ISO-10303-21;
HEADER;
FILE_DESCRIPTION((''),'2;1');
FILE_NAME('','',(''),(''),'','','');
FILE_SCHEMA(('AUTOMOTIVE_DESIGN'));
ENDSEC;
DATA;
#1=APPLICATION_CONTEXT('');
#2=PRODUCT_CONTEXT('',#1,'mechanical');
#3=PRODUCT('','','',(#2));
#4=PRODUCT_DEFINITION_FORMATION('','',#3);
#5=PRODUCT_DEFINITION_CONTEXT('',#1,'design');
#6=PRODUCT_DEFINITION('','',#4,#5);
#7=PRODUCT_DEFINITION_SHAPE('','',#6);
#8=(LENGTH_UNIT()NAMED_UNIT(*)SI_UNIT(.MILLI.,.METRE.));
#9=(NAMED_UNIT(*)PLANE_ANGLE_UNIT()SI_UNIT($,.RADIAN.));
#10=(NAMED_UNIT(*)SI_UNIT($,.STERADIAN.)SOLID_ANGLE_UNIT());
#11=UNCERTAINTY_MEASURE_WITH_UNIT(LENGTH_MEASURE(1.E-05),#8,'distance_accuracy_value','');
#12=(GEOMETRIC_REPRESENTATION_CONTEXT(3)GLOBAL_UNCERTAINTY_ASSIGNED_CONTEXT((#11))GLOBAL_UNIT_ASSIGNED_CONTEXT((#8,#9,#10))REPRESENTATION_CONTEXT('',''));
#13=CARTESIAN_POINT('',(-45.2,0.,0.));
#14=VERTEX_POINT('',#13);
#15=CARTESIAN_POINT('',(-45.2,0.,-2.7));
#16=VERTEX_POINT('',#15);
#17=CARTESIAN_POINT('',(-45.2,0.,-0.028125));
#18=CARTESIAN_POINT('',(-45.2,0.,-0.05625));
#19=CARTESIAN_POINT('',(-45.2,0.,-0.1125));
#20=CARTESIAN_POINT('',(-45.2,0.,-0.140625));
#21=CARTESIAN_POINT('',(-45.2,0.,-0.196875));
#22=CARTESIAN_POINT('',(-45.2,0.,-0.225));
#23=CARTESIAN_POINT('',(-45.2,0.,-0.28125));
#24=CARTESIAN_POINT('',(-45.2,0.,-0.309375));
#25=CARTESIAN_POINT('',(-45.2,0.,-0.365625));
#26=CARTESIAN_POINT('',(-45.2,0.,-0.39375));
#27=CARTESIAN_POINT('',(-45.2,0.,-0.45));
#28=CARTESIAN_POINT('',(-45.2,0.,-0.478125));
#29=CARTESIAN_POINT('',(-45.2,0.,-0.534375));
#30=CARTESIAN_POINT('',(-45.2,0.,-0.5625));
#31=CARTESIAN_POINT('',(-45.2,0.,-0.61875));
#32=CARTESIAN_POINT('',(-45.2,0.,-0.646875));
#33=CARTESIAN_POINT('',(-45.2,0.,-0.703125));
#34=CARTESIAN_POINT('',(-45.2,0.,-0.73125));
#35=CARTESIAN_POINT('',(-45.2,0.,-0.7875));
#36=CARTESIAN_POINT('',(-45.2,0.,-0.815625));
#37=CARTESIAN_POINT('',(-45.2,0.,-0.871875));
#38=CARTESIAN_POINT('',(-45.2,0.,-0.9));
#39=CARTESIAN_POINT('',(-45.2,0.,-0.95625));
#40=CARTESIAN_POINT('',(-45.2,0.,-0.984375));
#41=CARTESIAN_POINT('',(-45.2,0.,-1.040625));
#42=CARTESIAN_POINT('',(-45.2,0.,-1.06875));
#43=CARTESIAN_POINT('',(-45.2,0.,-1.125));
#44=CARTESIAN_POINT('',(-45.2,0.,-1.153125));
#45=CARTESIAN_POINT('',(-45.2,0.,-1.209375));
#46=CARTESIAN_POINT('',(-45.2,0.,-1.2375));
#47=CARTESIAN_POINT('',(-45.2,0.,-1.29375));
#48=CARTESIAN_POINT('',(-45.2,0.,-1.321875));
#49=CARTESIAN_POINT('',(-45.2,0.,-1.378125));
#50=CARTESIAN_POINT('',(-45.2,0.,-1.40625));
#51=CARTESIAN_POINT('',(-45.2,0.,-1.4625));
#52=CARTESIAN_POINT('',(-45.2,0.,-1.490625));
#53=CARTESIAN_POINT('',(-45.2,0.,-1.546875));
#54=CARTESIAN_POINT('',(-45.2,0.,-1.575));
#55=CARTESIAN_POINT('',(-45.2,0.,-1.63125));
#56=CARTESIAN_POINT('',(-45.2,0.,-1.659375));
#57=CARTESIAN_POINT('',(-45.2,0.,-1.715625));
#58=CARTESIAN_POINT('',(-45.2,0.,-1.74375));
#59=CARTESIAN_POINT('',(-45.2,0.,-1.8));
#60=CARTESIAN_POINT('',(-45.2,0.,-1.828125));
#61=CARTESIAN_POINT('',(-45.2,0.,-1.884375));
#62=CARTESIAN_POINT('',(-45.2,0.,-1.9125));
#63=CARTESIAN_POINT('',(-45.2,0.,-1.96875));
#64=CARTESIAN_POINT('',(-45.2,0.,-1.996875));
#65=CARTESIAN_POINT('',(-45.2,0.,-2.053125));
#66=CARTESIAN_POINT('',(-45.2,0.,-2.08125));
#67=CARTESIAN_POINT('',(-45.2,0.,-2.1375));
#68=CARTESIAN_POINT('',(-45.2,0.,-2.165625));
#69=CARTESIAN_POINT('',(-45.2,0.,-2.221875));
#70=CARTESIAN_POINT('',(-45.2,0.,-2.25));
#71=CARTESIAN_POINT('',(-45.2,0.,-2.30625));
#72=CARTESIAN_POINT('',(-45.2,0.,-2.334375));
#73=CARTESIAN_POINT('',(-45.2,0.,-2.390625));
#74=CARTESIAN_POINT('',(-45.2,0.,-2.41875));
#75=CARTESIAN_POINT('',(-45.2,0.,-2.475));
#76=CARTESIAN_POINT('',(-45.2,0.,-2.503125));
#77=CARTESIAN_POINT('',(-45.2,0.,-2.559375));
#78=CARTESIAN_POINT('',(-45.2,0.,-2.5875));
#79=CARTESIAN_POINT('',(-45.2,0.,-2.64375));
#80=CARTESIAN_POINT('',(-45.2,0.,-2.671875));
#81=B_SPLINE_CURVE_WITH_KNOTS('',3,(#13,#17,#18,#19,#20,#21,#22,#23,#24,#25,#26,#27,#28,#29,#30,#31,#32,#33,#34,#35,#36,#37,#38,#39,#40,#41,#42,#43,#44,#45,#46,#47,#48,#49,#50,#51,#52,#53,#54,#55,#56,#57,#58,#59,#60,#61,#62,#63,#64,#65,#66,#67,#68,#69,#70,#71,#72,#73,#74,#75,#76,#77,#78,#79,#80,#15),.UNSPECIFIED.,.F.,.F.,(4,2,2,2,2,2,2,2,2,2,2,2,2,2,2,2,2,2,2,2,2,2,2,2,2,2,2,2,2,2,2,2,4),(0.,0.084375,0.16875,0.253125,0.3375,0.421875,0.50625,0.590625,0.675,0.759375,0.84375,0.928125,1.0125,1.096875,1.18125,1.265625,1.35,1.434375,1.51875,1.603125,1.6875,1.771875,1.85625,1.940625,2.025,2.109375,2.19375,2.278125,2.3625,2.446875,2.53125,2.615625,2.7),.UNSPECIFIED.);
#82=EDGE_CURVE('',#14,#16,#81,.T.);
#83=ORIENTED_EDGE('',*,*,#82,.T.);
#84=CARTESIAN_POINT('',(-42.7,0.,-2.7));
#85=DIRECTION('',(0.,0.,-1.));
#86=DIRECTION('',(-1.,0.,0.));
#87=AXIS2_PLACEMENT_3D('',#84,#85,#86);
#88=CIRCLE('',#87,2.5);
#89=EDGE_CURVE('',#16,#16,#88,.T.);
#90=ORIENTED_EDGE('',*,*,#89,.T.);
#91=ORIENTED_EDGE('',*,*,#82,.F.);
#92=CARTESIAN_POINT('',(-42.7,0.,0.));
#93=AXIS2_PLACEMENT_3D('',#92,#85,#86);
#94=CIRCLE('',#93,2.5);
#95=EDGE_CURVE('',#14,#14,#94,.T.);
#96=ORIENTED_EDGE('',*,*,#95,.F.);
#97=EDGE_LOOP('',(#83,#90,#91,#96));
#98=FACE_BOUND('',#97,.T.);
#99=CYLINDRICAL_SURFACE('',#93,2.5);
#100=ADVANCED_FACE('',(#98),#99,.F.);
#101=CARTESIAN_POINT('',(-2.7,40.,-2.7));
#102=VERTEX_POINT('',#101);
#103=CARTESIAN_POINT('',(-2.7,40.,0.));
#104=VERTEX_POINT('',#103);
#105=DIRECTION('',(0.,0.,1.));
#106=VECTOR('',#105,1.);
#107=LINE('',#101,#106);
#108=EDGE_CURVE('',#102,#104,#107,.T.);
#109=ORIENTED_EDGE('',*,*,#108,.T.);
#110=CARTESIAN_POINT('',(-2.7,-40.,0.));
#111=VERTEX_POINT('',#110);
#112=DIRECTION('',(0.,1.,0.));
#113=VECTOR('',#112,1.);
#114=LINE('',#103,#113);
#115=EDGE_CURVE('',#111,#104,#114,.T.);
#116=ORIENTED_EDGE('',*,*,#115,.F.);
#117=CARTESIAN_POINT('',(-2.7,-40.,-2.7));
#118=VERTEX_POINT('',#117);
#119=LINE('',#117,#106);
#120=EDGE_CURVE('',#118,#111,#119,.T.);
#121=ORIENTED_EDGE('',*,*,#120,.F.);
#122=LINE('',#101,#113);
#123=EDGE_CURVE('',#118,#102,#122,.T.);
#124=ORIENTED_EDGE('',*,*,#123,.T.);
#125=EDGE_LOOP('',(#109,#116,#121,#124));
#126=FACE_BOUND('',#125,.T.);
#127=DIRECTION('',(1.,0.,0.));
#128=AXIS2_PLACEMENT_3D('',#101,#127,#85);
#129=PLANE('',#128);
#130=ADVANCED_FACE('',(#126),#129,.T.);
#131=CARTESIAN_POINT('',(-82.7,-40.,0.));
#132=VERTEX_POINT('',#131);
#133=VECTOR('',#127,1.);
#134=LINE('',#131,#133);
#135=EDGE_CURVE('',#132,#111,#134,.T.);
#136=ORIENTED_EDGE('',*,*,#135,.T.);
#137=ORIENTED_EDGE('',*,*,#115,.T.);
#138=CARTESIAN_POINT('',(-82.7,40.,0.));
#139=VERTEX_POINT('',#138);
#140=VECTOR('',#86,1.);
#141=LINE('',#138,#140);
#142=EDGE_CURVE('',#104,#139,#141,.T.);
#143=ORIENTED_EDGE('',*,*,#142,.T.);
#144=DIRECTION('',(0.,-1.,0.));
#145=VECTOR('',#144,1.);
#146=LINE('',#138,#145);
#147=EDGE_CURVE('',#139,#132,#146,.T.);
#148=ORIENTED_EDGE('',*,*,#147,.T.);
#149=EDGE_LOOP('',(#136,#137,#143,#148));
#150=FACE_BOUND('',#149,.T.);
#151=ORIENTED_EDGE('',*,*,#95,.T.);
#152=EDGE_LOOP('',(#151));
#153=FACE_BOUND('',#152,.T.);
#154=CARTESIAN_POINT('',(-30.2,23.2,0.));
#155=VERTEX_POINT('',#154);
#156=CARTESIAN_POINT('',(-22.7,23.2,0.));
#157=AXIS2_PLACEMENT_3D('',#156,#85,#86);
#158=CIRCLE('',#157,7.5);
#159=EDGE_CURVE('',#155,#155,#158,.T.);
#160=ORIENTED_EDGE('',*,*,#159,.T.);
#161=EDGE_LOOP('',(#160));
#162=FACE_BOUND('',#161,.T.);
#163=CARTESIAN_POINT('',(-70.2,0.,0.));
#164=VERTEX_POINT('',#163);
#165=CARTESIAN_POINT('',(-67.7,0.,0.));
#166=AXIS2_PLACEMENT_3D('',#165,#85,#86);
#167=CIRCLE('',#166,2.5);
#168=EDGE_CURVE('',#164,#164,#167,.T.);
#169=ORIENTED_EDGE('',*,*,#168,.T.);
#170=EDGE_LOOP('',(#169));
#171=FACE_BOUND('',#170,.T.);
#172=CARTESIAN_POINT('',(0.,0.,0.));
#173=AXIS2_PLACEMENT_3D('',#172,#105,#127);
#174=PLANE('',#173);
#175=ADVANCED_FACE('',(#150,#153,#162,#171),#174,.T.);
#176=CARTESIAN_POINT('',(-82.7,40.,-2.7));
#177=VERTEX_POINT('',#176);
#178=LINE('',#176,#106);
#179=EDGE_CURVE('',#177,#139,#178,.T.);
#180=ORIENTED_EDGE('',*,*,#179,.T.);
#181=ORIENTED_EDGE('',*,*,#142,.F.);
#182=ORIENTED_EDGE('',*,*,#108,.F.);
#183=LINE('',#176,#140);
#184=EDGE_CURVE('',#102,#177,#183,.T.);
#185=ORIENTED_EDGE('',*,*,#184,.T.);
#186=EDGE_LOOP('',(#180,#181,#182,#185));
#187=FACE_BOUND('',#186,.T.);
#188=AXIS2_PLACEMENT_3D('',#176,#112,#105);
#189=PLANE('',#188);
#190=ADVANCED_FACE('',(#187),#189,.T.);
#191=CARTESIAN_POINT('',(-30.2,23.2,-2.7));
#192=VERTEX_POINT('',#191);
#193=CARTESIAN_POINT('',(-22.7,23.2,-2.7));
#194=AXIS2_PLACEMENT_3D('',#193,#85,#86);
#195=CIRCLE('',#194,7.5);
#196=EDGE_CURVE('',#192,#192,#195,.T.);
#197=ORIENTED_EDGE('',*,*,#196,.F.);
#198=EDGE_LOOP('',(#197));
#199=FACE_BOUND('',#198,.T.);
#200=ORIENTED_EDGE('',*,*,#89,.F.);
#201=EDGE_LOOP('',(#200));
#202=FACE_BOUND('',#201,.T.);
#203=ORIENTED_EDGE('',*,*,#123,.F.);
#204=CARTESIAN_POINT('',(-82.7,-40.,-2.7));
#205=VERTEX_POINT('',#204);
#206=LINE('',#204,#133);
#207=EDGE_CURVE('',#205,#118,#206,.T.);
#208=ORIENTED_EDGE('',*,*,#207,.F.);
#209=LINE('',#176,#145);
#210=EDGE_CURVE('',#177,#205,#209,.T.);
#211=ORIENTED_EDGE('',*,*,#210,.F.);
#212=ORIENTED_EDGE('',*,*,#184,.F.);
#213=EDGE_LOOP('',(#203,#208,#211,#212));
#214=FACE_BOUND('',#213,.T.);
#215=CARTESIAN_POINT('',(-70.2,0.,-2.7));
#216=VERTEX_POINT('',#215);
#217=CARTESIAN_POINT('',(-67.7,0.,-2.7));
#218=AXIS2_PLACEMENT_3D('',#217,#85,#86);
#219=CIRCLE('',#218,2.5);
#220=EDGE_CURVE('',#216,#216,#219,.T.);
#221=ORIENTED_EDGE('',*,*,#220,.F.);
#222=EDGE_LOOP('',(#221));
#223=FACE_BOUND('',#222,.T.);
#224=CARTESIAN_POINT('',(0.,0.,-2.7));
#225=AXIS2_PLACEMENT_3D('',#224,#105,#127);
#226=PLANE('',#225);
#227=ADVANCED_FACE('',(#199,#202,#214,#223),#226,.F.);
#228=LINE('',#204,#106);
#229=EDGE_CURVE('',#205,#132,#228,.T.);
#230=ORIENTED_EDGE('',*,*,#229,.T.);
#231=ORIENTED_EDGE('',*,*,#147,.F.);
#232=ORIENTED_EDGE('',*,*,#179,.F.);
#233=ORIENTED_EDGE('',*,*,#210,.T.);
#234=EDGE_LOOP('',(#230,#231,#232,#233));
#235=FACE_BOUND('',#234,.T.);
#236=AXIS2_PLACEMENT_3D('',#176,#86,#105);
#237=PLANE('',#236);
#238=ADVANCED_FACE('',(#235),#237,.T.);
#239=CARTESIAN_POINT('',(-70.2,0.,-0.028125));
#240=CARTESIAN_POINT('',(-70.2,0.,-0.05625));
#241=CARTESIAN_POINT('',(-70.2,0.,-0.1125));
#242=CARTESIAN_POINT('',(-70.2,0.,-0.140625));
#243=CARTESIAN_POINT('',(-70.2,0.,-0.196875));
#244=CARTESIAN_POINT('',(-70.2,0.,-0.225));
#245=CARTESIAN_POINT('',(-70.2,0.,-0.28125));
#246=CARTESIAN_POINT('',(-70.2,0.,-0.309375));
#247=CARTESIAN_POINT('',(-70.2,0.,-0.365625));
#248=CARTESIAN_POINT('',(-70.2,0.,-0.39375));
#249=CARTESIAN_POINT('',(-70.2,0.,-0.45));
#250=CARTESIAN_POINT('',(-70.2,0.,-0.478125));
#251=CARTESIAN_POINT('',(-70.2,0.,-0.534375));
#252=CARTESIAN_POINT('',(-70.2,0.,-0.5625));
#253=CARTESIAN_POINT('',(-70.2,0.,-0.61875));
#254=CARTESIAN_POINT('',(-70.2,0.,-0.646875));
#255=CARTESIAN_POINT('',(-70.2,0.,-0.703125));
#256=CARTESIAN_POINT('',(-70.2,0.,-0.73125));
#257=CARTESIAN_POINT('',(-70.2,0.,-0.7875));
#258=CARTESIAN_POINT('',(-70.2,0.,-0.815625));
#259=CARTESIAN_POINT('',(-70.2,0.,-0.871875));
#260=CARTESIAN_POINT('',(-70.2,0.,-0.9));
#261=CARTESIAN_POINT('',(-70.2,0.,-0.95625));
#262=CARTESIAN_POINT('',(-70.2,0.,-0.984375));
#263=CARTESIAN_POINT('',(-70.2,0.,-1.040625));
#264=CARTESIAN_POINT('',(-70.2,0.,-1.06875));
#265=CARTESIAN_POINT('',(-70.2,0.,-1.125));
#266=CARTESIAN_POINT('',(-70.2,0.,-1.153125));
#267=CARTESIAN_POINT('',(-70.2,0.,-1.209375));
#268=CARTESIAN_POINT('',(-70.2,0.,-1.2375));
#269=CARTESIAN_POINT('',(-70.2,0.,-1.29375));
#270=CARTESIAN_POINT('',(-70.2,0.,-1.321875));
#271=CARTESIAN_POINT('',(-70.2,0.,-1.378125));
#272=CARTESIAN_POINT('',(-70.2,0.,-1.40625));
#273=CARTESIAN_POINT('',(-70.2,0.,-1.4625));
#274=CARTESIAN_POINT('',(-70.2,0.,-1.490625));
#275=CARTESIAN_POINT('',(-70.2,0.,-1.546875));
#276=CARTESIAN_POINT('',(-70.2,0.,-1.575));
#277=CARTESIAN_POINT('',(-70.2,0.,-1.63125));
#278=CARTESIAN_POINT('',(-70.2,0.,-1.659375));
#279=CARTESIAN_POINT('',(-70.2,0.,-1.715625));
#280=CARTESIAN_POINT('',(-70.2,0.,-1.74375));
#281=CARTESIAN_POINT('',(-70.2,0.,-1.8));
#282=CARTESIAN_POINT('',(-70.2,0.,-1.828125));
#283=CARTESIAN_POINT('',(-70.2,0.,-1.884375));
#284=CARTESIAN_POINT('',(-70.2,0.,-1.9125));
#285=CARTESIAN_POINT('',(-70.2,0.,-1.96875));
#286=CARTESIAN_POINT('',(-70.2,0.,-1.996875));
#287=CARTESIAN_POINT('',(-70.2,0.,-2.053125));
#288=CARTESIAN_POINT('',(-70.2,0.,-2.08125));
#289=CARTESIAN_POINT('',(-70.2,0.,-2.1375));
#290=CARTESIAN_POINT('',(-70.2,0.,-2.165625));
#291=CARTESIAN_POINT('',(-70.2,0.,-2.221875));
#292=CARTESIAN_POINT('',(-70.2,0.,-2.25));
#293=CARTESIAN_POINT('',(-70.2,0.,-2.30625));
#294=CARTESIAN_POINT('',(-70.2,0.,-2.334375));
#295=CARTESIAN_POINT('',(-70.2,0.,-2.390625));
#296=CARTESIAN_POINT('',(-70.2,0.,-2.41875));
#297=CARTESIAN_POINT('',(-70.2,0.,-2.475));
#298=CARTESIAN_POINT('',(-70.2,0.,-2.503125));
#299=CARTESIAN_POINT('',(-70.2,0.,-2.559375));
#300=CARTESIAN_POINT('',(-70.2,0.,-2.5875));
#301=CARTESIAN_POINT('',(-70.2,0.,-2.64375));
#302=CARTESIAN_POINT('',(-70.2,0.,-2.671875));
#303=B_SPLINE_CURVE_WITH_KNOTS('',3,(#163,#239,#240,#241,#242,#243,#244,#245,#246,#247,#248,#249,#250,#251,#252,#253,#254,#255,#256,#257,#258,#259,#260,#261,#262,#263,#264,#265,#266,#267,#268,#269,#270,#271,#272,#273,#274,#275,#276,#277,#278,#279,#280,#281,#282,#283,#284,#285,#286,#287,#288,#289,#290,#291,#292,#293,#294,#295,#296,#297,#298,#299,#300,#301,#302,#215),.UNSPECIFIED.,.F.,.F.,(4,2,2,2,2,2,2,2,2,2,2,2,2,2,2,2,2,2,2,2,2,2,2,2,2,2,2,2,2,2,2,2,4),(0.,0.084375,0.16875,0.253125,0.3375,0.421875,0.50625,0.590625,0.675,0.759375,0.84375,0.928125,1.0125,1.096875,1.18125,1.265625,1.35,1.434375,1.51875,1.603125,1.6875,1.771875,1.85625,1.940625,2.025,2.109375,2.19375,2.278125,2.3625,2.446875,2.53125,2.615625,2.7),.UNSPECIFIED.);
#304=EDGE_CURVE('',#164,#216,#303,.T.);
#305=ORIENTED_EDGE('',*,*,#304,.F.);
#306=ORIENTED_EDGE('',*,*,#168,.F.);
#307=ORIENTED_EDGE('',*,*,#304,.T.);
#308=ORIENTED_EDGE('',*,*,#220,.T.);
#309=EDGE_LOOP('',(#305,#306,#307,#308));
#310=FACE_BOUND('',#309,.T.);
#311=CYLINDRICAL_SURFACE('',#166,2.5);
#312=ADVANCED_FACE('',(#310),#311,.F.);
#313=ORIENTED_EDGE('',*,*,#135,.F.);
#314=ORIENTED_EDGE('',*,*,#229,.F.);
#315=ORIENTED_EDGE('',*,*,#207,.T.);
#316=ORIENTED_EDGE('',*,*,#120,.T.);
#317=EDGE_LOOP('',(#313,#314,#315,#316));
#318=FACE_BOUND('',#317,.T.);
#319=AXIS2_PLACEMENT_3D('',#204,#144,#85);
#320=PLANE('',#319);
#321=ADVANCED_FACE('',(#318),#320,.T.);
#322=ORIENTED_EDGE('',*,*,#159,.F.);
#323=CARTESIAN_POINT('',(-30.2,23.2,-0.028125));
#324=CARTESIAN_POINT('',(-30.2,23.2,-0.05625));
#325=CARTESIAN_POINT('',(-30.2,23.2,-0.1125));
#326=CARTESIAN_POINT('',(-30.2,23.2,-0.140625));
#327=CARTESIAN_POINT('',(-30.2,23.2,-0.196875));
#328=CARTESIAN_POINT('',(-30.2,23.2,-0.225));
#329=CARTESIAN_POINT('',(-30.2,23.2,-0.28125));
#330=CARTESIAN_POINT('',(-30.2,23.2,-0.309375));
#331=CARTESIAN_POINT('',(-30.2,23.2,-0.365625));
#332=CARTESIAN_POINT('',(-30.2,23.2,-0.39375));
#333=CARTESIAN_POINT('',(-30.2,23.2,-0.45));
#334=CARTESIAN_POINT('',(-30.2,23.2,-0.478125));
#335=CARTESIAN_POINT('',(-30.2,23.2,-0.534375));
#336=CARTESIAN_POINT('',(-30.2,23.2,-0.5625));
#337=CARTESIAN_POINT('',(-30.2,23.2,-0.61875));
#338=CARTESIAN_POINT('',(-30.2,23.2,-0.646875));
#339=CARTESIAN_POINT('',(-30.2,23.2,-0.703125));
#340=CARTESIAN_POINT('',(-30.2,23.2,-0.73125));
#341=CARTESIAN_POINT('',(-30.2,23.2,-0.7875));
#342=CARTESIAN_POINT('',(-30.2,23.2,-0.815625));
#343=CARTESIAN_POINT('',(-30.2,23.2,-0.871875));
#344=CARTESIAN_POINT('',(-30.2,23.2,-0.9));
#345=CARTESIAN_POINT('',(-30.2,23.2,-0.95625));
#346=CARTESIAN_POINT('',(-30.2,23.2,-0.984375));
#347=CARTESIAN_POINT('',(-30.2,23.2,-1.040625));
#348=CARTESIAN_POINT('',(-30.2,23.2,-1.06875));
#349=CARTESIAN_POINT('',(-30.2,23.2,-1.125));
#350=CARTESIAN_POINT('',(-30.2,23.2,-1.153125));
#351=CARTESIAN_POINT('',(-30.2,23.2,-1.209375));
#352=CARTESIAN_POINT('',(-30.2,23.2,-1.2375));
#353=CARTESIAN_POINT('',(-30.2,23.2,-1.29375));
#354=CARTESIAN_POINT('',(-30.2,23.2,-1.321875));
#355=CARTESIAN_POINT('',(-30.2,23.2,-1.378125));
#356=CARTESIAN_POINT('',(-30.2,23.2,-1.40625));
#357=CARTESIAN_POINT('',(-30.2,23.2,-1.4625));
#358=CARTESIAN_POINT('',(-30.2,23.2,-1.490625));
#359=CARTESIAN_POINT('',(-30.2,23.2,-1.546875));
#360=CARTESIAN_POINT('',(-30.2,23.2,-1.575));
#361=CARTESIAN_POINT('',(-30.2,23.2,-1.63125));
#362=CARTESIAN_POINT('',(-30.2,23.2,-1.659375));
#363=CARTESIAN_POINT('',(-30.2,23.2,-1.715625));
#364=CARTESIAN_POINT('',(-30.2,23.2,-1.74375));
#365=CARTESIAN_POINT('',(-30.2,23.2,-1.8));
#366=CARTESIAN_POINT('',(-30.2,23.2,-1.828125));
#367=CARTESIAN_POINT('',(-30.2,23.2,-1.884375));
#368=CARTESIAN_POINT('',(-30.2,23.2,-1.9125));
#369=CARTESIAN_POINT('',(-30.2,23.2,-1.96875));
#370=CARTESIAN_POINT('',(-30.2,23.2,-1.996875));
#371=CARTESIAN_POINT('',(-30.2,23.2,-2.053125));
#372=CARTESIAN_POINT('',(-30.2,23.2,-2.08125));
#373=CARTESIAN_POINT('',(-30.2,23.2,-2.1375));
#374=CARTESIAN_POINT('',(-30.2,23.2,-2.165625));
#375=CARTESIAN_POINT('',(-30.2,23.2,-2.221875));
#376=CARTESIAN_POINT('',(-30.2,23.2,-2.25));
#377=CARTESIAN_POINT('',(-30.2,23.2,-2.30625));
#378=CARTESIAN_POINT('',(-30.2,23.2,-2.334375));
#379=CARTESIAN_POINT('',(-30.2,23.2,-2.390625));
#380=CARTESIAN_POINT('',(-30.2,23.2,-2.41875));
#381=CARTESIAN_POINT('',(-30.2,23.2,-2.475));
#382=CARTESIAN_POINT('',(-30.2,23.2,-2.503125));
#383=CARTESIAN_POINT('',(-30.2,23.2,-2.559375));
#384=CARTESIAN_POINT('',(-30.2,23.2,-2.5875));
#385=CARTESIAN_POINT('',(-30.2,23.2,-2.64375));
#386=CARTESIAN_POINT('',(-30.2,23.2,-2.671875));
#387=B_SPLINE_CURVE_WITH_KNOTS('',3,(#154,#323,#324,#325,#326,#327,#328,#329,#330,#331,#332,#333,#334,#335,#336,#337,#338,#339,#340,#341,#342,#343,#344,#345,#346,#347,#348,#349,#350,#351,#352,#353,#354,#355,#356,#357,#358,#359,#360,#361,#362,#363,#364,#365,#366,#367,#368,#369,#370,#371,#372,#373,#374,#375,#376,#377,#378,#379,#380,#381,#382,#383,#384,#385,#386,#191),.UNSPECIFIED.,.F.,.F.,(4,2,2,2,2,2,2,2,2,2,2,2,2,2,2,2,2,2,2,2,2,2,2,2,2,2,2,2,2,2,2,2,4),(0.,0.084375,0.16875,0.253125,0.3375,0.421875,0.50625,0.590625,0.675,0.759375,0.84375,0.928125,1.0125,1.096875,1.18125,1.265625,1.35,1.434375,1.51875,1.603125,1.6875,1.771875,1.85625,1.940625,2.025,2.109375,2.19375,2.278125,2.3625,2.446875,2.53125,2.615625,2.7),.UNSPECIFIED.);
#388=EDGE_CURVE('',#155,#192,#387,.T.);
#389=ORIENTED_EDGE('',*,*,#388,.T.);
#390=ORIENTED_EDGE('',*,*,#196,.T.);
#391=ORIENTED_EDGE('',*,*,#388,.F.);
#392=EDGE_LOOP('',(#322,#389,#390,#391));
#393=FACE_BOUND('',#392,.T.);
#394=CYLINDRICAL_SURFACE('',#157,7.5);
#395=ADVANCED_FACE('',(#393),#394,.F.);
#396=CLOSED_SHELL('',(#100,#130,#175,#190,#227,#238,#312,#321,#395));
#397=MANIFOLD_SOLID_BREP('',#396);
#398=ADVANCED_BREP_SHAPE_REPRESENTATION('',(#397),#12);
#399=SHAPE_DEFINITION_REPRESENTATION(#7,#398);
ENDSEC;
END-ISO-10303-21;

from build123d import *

# Parameters (mm, degrees)
CROQUIS1_W              = 80
CROQUIS1_H              = 80
SALIENTE_EXTRUIR2_DEPTH = 2.7
CROQUIS2_R              = 2.5
CORTAR_EXTRUIR1_DEPTH   = 2.7
CROQUIS4_R              = 7.5
CORTAR_EXTRUIR2_DEPTH   = 2.7


with BuildPart() as part:
    # Croquis1 → Saliente-Extruir2 (new body)
    with BuildSketch(Plane.XY):
        with Locations((-42.7, 0)):
            Rectangle(CROQUIS1_W, CROQUIS1_H)
    extrude(amount=-SALIENTE_EXTRUIR2_DEPTH)

    # Croquis2 → Cortar-Extruir1 (cut)
    with BuildSketch(Plane(origin=(0, 0, -2.7), x_dir=(-1, 0, 0), z_dir=(0, 0, -1))):
        with Locations((67.7, 0)):
            Circle(CROQUIS2_R)
        with Locations((42.7, 0)):
            Circle(CROQUIS2_R)
    extrude(amount=-CORTAR_EXTRUIR1_DEPTH, mode=Mode.SUBTRACT)

    # Croquis4 → Cortar-Extruir2 (cut)
    with BuildSketch(Plane(origin=(0, 0, -2.7), x_dir=(-1, 0, 0), z_dir=(0, 0, -1))):
        with Locations((22.7, 23.2)):
            Circle(CROQUIS4_R)
    extrude(amount=-CORTAR_EXTRUIR2_DEPTH, mode=Mode.SUBTRACT)


solid = part.part
